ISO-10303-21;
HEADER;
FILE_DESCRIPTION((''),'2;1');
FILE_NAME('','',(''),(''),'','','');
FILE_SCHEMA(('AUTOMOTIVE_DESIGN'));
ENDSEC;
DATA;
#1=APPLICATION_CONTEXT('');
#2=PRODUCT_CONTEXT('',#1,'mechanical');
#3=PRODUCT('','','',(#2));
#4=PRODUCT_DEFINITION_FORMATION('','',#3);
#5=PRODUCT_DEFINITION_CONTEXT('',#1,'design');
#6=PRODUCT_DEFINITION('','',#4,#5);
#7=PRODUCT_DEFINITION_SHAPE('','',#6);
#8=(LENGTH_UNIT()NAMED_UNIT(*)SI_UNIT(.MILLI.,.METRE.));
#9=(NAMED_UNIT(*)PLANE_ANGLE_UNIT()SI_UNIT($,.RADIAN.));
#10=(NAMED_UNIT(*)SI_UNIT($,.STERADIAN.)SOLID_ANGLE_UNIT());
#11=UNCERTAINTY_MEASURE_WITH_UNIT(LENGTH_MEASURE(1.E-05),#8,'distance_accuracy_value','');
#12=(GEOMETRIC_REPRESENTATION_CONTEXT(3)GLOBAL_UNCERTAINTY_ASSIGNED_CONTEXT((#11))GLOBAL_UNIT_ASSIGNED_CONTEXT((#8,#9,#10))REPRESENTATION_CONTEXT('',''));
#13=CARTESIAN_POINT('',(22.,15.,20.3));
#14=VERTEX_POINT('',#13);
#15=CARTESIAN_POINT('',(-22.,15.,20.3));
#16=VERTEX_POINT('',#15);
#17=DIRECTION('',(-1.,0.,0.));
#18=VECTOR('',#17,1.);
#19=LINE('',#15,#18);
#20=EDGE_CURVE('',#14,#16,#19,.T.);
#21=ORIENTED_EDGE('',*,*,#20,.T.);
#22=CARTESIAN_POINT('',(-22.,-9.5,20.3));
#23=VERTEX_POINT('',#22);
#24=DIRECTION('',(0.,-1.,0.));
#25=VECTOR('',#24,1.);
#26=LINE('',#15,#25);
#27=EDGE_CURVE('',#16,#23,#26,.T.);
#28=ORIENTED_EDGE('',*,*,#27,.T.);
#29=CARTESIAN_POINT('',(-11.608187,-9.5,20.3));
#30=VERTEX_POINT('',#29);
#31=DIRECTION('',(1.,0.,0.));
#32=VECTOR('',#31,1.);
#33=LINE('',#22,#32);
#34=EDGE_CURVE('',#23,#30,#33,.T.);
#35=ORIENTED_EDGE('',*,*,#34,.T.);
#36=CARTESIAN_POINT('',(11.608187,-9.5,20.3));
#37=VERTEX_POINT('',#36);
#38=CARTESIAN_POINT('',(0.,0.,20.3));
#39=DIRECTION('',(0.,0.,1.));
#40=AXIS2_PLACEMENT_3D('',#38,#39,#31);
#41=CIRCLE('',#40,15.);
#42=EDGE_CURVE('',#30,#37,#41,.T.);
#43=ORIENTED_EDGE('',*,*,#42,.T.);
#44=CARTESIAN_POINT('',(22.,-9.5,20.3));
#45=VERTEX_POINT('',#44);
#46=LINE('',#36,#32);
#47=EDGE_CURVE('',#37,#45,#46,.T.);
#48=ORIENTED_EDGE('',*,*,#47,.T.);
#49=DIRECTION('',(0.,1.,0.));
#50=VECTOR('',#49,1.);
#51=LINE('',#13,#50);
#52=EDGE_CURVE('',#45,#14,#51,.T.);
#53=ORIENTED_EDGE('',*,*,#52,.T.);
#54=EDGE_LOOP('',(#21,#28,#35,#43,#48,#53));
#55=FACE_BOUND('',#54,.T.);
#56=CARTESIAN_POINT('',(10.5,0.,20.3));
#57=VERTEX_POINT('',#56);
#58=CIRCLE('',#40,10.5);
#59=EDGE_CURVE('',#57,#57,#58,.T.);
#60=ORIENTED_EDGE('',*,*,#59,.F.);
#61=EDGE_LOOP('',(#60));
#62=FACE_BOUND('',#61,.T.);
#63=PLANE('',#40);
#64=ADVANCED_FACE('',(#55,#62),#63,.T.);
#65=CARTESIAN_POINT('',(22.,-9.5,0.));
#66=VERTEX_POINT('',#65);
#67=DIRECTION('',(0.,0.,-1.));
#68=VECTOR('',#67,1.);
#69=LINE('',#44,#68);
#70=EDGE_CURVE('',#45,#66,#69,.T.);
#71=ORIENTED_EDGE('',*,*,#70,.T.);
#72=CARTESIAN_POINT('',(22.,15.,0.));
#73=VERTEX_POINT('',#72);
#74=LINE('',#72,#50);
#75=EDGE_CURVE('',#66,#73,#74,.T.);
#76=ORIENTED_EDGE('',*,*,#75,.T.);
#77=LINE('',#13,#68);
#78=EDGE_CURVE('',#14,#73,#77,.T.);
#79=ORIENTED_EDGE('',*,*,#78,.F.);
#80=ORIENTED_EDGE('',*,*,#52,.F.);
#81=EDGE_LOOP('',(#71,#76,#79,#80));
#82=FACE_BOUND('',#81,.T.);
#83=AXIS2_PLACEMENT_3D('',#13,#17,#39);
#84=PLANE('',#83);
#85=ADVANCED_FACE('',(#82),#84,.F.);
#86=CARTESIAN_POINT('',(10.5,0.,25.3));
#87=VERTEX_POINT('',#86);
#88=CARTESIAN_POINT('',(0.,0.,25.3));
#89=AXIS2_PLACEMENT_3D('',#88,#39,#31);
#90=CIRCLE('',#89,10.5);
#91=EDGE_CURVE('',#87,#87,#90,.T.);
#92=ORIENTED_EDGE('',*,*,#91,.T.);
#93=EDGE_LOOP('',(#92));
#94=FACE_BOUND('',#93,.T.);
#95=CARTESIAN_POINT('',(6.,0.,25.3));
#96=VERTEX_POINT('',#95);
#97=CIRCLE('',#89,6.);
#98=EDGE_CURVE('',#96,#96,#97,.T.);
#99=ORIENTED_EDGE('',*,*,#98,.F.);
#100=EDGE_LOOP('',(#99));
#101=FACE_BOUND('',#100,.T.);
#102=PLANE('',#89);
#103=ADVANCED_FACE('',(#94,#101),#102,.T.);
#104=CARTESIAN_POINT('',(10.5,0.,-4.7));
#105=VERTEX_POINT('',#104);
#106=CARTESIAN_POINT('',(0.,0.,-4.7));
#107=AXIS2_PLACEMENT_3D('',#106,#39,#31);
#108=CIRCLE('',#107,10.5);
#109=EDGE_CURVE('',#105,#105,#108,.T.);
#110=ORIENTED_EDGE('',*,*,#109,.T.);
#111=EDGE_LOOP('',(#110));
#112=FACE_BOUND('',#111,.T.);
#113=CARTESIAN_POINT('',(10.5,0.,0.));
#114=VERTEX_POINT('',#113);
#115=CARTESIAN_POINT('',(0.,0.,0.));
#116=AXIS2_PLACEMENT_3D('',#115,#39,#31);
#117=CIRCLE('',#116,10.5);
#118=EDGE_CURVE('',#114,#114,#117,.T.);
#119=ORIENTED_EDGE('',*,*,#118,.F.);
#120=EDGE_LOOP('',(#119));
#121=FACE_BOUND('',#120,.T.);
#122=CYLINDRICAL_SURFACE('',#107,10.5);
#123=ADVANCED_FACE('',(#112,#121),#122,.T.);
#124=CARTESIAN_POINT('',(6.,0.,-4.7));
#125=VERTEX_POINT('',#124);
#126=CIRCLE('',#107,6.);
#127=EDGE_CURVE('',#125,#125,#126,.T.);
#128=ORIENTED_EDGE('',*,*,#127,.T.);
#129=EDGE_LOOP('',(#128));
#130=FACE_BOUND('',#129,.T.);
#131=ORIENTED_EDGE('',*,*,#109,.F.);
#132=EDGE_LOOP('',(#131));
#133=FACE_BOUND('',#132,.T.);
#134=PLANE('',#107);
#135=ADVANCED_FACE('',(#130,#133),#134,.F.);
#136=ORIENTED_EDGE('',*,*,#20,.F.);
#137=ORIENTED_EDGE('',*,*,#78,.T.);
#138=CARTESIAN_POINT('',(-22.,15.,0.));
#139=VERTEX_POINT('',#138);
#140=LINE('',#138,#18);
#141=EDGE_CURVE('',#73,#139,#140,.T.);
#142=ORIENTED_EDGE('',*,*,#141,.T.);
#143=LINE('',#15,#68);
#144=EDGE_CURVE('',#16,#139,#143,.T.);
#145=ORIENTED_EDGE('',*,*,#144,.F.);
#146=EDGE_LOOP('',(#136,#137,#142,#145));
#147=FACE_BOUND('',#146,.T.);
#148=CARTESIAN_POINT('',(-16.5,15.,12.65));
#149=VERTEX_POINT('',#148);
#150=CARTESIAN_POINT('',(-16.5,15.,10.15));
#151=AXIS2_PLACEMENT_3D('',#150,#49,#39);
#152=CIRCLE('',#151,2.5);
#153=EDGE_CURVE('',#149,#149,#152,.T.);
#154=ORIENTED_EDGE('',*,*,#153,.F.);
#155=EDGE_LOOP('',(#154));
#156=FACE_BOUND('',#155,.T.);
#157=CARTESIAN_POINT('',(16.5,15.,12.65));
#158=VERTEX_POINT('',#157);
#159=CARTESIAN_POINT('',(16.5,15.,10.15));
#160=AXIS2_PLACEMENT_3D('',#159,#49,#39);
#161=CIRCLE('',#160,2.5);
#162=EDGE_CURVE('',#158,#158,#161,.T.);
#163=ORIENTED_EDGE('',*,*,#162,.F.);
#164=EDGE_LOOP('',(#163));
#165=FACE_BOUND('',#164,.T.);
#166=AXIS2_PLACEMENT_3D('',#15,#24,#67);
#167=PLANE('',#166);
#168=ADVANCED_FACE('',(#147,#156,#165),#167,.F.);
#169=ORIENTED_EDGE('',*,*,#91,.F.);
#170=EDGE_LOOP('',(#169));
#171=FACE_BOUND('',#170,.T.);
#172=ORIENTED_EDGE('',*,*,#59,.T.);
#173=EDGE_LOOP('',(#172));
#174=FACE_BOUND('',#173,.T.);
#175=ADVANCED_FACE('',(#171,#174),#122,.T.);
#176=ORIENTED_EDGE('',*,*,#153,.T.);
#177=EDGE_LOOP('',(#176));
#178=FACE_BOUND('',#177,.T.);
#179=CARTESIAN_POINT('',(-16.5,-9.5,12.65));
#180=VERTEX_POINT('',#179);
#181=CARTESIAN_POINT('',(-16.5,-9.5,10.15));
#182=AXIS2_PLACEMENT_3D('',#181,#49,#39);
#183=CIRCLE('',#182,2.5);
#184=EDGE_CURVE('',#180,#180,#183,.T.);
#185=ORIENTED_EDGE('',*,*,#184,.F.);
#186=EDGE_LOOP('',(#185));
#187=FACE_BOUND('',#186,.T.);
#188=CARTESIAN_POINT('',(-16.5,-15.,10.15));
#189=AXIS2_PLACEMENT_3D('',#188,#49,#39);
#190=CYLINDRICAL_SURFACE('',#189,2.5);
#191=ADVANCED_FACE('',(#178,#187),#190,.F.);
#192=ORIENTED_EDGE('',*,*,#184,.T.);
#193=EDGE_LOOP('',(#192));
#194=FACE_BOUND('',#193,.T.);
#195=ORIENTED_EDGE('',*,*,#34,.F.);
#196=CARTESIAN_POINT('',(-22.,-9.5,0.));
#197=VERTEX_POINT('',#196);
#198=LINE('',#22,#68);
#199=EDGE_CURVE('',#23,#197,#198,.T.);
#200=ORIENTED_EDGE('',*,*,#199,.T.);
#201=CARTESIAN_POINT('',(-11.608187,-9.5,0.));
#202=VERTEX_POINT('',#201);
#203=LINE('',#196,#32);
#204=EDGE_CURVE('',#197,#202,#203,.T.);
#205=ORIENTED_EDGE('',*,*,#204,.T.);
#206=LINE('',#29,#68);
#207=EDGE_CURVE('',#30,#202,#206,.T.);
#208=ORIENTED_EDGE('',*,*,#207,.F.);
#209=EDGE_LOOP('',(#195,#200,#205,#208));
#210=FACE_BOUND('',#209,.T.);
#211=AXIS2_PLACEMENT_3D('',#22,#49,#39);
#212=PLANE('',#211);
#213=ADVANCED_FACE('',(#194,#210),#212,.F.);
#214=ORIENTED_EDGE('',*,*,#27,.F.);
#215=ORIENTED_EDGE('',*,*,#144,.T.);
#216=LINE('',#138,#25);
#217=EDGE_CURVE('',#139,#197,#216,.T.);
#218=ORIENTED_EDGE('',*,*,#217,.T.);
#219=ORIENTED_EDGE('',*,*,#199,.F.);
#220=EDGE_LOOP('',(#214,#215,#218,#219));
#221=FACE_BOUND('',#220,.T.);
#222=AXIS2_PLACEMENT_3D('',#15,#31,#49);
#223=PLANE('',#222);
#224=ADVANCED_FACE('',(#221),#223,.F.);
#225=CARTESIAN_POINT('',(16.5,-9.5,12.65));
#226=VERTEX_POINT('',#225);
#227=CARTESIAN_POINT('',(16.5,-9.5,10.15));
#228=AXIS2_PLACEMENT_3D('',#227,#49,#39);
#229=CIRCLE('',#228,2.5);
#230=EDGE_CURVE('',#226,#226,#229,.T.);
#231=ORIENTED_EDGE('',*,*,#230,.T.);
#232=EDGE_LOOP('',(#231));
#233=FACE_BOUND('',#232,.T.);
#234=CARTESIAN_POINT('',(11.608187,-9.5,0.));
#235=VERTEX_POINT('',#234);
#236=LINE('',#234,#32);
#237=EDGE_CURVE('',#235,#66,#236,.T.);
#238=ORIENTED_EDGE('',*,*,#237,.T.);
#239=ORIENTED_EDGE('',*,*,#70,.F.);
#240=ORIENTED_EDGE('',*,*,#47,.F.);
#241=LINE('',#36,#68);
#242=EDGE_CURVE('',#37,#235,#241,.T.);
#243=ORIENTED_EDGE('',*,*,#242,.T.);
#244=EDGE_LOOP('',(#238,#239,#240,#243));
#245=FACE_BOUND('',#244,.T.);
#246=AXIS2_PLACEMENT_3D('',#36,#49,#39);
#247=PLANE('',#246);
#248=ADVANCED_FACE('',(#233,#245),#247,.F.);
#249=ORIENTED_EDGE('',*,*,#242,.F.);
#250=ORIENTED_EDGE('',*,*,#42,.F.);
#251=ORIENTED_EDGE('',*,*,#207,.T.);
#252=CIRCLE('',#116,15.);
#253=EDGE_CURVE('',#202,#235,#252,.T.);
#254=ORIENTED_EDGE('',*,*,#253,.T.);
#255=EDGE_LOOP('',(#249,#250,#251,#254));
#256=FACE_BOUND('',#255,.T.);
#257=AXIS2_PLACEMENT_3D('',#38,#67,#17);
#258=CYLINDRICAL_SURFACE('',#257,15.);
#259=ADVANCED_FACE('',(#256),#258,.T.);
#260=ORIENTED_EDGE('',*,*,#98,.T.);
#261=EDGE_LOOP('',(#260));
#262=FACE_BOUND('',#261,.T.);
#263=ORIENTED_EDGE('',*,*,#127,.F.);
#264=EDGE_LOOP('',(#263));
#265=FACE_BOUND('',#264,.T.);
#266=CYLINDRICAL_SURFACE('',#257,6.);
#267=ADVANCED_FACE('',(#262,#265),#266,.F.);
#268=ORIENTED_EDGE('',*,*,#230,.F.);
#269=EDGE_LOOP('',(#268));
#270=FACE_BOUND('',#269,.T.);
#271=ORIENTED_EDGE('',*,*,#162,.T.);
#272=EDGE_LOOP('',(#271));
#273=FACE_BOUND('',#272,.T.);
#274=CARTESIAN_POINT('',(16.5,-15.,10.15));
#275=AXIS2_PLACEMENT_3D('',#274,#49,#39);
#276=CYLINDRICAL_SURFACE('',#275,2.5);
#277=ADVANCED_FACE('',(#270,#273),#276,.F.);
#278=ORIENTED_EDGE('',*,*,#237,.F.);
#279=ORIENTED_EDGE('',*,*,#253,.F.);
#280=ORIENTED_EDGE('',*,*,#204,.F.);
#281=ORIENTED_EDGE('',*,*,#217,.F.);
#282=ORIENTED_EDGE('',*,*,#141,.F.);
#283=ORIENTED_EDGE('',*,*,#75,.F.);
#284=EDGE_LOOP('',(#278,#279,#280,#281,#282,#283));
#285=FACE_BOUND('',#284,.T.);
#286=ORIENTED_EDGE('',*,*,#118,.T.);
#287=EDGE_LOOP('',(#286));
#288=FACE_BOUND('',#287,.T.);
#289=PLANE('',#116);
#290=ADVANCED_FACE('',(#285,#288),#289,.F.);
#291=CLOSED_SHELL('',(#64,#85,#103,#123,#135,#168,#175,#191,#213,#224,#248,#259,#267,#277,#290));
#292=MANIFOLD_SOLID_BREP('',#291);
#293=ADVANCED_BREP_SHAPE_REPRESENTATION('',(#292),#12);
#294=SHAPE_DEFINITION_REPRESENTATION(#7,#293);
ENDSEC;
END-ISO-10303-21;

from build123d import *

# Parameters (mm, degrees)
IZIM1_R                          = 6
Y_KSEKLIK_EKSTR_ZYON1_DEPTH      = 20.3
Y_KSEKLIK_EKSTR_ZYON2_DEPTH      = 5
Y_KSEKLIK_EKSTR_ZYON2_DEPTH_BACK = 25
IZIM2_R                          = 10.5
IZIM2_R_2                        = 6
IZIM5_R                          = 2.5
KES_EKSTR_ZYON1_DEPTH            = 45.989887753


with BuildPart() as part:
    # Çizim1 → Yükseklik-Ekstrüzyon1 (new body)
    with BuildSketch(Plane.XY):
        with BuildLine():
            Line((-22, -9.5), (-11.608186766, -9.5))
            ThreePointArc((-11.608186766, -9.5), (0, -15), (11.608186766, -9.5))
            Line((11.608186766, -9.5), (22, -9.5))
            Line((22, -9.5), (22, 15))
            Line((22, 15), (-22, 15))
            Line((-22, 15), (-22, -9.5))
        make_face()
        Circle(IZIM1_R, mode=Mode.SUBTRACT)
    extrude(amount=Y_KSEKLIK_EKSTR_ZYON1_DEPTH)

    # Çizim2 → Yükseklik-Ekstrüzyon2 (add, two sides: drawn at the far end of the back side and taken through both)
    with BuildSketch(Plane.XY.offset(20.3).offset(-Y_KSEKLIK_EKSTR_ZYON2_DEPTH_BACK)):
        Circle(IZIM2_R)
        Circle(IZIM2_R_2, mode=Mode.SUBTRACT)
    extrude(amount=Y_KSEKLIK_EKSTR_ZYON2_DEPTH + Y_KSEKLIK_EKSTR_ZYON2_DEPTH_BACK)

    # Çizim5 → Kes-Ekstrüzyon1 (cut, through all)
    with BuildSketch(Plane(origin=(0, 15, 0), x_dir=(1, 0, 0), z_dir=(0, 1, 0))):
        with Locations(Location((-16.5, -10.15, 0), (0, 0, 270))):
            Circle(IZIM5_R)
        with Locations(Location((16.5, -10.15, 0), (0, 0, 270))):
            Circle(IZIM5_R)
    extrude(amount=-KES_EKSTR_ZYON1_DEPTH, mode=Mode.SUBTRACT)


solid = part.part
